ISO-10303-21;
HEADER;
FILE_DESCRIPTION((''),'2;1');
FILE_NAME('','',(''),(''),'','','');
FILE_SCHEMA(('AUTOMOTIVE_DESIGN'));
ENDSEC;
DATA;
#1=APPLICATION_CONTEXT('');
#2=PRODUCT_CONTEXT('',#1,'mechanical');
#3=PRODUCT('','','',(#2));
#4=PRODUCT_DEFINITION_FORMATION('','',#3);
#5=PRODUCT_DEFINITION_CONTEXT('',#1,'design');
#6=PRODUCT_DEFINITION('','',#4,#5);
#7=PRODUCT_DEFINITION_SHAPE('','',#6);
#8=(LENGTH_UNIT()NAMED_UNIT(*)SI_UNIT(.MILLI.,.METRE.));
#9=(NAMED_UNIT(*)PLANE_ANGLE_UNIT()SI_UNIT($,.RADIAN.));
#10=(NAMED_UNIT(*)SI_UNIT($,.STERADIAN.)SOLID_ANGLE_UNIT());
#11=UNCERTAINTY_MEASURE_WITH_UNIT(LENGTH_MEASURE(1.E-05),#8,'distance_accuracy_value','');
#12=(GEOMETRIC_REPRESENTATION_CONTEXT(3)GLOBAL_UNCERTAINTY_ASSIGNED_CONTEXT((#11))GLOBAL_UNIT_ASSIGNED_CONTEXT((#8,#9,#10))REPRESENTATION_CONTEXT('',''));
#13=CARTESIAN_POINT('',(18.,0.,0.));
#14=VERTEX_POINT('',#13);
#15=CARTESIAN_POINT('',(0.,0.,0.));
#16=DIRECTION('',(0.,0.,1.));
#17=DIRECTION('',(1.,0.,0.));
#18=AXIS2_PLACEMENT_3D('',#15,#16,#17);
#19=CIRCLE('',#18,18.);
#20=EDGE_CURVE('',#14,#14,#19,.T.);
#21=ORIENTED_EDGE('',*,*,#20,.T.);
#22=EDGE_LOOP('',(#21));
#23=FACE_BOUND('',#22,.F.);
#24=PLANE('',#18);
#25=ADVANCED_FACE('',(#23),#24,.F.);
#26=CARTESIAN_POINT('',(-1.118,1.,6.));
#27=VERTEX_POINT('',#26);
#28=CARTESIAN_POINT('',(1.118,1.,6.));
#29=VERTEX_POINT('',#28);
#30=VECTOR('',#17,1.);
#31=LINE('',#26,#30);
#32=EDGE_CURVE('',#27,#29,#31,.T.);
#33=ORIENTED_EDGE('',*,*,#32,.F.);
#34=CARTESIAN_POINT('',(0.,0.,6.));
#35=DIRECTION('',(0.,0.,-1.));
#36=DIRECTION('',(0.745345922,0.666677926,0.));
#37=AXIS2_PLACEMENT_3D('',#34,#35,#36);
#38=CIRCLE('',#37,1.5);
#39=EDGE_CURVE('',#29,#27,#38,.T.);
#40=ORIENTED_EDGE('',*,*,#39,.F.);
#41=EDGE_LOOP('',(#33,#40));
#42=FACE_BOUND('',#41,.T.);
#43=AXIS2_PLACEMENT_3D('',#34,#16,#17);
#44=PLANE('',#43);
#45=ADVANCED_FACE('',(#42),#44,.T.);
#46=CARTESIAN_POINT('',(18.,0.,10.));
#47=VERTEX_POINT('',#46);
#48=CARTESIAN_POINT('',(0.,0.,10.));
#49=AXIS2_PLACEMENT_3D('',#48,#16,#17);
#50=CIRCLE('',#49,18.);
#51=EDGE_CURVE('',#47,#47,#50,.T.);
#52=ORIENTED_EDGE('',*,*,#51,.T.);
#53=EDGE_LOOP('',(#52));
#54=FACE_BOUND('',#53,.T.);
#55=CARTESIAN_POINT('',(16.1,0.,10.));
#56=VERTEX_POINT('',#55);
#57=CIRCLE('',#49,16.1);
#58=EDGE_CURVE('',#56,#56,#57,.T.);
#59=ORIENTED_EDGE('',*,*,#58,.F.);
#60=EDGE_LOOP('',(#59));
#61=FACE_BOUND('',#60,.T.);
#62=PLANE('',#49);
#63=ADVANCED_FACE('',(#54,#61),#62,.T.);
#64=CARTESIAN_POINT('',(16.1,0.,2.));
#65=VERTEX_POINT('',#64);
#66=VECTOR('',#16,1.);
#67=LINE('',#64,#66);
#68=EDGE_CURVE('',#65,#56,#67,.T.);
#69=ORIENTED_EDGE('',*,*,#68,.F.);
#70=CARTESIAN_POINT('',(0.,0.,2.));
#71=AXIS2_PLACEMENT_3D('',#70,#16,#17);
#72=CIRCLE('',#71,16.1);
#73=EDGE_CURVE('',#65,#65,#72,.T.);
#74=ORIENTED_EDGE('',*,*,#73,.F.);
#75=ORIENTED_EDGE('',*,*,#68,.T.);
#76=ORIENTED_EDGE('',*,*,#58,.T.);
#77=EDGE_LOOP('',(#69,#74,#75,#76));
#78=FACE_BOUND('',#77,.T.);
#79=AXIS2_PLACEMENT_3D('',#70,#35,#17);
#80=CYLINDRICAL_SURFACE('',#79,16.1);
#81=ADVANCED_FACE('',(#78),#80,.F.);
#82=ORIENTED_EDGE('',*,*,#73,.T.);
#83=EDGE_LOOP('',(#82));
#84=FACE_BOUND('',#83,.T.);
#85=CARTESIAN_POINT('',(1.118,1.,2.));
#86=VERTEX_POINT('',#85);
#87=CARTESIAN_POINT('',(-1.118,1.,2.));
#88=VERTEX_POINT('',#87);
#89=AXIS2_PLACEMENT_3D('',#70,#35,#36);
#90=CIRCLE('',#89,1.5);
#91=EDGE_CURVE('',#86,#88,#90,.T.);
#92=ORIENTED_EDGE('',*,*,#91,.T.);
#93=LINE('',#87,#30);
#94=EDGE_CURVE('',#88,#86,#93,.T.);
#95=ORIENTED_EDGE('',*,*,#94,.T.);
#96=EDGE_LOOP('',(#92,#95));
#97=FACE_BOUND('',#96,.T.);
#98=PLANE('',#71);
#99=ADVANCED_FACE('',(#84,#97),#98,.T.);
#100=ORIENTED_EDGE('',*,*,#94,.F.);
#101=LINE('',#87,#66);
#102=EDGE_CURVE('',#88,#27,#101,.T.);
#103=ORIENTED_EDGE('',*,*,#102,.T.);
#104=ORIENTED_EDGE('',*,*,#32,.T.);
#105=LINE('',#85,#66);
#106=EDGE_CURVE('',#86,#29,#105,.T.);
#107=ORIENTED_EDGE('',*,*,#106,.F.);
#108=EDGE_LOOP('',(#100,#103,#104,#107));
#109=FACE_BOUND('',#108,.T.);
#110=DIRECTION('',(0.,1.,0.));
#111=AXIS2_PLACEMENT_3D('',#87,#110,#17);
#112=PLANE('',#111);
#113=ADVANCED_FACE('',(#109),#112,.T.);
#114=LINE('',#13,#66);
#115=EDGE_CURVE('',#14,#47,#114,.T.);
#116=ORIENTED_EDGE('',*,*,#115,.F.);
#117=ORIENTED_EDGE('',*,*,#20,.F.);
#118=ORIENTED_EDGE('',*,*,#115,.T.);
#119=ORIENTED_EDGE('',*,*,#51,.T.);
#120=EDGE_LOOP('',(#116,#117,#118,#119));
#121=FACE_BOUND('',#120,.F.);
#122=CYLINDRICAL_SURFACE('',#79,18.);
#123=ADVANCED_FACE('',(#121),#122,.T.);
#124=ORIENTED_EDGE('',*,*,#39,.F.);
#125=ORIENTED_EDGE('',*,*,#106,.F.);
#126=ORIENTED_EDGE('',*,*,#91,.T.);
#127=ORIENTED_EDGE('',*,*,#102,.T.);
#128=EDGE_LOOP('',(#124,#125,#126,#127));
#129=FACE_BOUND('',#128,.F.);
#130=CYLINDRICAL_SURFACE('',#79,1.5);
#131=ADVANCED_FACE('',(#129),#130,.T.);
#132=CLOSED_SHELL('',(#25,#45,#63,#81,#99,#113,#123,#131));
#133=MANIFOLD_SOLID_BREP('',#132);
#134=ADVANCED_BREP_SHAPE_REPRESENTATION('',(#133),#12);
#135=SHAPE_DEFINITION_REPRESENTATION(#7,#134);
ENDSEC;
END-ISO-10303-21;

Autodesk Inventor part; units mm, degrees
ref_plane "YZ Plane" through (0, 0, 0) normal (1, 0, 0) x (0, 1, 0)
ref_plane "XZ Plane" through (0, 0, 0) normal (0, 1, 0) x (-1, 0, 0)
ref_plane "XY Plane" through (0, 0, 0) normal (0, 0, 1) x (1, 0, 0)
sketch "Szkic1" plane through (0, 0, 0) normal (0, 0, 1) x (1, 0, 0)
  circle A0 centre (0, 0) radius 18
  dimension "d0" = 36
extrude "Wyciągnięcie proste1" add sketch "Szkic1" along normal blind 2
sketch "Szkic2" plane through (0, 0, 2) normal (0, 0, 1) x (1, 0, 0)
  circle A0 centre (0, 0) radius 1.5
  line L0 (0, 25.2) -> (0, -25.2) projected
  line L1 (-25.2, 0) -> (25.2, 0) projected
  line L2 (-1.118, 1) -> (1.118, 1)
  circle A1 centre (0, 0) radius 18 projected
  dimension "d3" = 3
  dimension "d4" = 1
extrude "Wyciągnięcie proste2" add sketch "Szkic2" along normal blind 4 contours L1 L0 L2 A0 | A0 L0 L1 | A0 L1 L0 | L1 A0 L2 L0
sketch "Szkic3" plane through (0, 0, 2) normal (0, 0, 1) x (1, 0, 0)
  line L0 (-1.118, 1) -> (1.118, 1) projected
  arc A0 (-1.118, 1) -> (1.118, 1) centre (0, 0) ccw projected
  circle A1 centre (0, 0) radius 18 projected
  circle A2 centre (0, 0) radius 16.1
  dimension "d8" = 32.2
extrude "Wyciągnięcie proste3" add sketch "Szkic3" along normal blind 8 contours A1
properties part number "forma_do_kół"
